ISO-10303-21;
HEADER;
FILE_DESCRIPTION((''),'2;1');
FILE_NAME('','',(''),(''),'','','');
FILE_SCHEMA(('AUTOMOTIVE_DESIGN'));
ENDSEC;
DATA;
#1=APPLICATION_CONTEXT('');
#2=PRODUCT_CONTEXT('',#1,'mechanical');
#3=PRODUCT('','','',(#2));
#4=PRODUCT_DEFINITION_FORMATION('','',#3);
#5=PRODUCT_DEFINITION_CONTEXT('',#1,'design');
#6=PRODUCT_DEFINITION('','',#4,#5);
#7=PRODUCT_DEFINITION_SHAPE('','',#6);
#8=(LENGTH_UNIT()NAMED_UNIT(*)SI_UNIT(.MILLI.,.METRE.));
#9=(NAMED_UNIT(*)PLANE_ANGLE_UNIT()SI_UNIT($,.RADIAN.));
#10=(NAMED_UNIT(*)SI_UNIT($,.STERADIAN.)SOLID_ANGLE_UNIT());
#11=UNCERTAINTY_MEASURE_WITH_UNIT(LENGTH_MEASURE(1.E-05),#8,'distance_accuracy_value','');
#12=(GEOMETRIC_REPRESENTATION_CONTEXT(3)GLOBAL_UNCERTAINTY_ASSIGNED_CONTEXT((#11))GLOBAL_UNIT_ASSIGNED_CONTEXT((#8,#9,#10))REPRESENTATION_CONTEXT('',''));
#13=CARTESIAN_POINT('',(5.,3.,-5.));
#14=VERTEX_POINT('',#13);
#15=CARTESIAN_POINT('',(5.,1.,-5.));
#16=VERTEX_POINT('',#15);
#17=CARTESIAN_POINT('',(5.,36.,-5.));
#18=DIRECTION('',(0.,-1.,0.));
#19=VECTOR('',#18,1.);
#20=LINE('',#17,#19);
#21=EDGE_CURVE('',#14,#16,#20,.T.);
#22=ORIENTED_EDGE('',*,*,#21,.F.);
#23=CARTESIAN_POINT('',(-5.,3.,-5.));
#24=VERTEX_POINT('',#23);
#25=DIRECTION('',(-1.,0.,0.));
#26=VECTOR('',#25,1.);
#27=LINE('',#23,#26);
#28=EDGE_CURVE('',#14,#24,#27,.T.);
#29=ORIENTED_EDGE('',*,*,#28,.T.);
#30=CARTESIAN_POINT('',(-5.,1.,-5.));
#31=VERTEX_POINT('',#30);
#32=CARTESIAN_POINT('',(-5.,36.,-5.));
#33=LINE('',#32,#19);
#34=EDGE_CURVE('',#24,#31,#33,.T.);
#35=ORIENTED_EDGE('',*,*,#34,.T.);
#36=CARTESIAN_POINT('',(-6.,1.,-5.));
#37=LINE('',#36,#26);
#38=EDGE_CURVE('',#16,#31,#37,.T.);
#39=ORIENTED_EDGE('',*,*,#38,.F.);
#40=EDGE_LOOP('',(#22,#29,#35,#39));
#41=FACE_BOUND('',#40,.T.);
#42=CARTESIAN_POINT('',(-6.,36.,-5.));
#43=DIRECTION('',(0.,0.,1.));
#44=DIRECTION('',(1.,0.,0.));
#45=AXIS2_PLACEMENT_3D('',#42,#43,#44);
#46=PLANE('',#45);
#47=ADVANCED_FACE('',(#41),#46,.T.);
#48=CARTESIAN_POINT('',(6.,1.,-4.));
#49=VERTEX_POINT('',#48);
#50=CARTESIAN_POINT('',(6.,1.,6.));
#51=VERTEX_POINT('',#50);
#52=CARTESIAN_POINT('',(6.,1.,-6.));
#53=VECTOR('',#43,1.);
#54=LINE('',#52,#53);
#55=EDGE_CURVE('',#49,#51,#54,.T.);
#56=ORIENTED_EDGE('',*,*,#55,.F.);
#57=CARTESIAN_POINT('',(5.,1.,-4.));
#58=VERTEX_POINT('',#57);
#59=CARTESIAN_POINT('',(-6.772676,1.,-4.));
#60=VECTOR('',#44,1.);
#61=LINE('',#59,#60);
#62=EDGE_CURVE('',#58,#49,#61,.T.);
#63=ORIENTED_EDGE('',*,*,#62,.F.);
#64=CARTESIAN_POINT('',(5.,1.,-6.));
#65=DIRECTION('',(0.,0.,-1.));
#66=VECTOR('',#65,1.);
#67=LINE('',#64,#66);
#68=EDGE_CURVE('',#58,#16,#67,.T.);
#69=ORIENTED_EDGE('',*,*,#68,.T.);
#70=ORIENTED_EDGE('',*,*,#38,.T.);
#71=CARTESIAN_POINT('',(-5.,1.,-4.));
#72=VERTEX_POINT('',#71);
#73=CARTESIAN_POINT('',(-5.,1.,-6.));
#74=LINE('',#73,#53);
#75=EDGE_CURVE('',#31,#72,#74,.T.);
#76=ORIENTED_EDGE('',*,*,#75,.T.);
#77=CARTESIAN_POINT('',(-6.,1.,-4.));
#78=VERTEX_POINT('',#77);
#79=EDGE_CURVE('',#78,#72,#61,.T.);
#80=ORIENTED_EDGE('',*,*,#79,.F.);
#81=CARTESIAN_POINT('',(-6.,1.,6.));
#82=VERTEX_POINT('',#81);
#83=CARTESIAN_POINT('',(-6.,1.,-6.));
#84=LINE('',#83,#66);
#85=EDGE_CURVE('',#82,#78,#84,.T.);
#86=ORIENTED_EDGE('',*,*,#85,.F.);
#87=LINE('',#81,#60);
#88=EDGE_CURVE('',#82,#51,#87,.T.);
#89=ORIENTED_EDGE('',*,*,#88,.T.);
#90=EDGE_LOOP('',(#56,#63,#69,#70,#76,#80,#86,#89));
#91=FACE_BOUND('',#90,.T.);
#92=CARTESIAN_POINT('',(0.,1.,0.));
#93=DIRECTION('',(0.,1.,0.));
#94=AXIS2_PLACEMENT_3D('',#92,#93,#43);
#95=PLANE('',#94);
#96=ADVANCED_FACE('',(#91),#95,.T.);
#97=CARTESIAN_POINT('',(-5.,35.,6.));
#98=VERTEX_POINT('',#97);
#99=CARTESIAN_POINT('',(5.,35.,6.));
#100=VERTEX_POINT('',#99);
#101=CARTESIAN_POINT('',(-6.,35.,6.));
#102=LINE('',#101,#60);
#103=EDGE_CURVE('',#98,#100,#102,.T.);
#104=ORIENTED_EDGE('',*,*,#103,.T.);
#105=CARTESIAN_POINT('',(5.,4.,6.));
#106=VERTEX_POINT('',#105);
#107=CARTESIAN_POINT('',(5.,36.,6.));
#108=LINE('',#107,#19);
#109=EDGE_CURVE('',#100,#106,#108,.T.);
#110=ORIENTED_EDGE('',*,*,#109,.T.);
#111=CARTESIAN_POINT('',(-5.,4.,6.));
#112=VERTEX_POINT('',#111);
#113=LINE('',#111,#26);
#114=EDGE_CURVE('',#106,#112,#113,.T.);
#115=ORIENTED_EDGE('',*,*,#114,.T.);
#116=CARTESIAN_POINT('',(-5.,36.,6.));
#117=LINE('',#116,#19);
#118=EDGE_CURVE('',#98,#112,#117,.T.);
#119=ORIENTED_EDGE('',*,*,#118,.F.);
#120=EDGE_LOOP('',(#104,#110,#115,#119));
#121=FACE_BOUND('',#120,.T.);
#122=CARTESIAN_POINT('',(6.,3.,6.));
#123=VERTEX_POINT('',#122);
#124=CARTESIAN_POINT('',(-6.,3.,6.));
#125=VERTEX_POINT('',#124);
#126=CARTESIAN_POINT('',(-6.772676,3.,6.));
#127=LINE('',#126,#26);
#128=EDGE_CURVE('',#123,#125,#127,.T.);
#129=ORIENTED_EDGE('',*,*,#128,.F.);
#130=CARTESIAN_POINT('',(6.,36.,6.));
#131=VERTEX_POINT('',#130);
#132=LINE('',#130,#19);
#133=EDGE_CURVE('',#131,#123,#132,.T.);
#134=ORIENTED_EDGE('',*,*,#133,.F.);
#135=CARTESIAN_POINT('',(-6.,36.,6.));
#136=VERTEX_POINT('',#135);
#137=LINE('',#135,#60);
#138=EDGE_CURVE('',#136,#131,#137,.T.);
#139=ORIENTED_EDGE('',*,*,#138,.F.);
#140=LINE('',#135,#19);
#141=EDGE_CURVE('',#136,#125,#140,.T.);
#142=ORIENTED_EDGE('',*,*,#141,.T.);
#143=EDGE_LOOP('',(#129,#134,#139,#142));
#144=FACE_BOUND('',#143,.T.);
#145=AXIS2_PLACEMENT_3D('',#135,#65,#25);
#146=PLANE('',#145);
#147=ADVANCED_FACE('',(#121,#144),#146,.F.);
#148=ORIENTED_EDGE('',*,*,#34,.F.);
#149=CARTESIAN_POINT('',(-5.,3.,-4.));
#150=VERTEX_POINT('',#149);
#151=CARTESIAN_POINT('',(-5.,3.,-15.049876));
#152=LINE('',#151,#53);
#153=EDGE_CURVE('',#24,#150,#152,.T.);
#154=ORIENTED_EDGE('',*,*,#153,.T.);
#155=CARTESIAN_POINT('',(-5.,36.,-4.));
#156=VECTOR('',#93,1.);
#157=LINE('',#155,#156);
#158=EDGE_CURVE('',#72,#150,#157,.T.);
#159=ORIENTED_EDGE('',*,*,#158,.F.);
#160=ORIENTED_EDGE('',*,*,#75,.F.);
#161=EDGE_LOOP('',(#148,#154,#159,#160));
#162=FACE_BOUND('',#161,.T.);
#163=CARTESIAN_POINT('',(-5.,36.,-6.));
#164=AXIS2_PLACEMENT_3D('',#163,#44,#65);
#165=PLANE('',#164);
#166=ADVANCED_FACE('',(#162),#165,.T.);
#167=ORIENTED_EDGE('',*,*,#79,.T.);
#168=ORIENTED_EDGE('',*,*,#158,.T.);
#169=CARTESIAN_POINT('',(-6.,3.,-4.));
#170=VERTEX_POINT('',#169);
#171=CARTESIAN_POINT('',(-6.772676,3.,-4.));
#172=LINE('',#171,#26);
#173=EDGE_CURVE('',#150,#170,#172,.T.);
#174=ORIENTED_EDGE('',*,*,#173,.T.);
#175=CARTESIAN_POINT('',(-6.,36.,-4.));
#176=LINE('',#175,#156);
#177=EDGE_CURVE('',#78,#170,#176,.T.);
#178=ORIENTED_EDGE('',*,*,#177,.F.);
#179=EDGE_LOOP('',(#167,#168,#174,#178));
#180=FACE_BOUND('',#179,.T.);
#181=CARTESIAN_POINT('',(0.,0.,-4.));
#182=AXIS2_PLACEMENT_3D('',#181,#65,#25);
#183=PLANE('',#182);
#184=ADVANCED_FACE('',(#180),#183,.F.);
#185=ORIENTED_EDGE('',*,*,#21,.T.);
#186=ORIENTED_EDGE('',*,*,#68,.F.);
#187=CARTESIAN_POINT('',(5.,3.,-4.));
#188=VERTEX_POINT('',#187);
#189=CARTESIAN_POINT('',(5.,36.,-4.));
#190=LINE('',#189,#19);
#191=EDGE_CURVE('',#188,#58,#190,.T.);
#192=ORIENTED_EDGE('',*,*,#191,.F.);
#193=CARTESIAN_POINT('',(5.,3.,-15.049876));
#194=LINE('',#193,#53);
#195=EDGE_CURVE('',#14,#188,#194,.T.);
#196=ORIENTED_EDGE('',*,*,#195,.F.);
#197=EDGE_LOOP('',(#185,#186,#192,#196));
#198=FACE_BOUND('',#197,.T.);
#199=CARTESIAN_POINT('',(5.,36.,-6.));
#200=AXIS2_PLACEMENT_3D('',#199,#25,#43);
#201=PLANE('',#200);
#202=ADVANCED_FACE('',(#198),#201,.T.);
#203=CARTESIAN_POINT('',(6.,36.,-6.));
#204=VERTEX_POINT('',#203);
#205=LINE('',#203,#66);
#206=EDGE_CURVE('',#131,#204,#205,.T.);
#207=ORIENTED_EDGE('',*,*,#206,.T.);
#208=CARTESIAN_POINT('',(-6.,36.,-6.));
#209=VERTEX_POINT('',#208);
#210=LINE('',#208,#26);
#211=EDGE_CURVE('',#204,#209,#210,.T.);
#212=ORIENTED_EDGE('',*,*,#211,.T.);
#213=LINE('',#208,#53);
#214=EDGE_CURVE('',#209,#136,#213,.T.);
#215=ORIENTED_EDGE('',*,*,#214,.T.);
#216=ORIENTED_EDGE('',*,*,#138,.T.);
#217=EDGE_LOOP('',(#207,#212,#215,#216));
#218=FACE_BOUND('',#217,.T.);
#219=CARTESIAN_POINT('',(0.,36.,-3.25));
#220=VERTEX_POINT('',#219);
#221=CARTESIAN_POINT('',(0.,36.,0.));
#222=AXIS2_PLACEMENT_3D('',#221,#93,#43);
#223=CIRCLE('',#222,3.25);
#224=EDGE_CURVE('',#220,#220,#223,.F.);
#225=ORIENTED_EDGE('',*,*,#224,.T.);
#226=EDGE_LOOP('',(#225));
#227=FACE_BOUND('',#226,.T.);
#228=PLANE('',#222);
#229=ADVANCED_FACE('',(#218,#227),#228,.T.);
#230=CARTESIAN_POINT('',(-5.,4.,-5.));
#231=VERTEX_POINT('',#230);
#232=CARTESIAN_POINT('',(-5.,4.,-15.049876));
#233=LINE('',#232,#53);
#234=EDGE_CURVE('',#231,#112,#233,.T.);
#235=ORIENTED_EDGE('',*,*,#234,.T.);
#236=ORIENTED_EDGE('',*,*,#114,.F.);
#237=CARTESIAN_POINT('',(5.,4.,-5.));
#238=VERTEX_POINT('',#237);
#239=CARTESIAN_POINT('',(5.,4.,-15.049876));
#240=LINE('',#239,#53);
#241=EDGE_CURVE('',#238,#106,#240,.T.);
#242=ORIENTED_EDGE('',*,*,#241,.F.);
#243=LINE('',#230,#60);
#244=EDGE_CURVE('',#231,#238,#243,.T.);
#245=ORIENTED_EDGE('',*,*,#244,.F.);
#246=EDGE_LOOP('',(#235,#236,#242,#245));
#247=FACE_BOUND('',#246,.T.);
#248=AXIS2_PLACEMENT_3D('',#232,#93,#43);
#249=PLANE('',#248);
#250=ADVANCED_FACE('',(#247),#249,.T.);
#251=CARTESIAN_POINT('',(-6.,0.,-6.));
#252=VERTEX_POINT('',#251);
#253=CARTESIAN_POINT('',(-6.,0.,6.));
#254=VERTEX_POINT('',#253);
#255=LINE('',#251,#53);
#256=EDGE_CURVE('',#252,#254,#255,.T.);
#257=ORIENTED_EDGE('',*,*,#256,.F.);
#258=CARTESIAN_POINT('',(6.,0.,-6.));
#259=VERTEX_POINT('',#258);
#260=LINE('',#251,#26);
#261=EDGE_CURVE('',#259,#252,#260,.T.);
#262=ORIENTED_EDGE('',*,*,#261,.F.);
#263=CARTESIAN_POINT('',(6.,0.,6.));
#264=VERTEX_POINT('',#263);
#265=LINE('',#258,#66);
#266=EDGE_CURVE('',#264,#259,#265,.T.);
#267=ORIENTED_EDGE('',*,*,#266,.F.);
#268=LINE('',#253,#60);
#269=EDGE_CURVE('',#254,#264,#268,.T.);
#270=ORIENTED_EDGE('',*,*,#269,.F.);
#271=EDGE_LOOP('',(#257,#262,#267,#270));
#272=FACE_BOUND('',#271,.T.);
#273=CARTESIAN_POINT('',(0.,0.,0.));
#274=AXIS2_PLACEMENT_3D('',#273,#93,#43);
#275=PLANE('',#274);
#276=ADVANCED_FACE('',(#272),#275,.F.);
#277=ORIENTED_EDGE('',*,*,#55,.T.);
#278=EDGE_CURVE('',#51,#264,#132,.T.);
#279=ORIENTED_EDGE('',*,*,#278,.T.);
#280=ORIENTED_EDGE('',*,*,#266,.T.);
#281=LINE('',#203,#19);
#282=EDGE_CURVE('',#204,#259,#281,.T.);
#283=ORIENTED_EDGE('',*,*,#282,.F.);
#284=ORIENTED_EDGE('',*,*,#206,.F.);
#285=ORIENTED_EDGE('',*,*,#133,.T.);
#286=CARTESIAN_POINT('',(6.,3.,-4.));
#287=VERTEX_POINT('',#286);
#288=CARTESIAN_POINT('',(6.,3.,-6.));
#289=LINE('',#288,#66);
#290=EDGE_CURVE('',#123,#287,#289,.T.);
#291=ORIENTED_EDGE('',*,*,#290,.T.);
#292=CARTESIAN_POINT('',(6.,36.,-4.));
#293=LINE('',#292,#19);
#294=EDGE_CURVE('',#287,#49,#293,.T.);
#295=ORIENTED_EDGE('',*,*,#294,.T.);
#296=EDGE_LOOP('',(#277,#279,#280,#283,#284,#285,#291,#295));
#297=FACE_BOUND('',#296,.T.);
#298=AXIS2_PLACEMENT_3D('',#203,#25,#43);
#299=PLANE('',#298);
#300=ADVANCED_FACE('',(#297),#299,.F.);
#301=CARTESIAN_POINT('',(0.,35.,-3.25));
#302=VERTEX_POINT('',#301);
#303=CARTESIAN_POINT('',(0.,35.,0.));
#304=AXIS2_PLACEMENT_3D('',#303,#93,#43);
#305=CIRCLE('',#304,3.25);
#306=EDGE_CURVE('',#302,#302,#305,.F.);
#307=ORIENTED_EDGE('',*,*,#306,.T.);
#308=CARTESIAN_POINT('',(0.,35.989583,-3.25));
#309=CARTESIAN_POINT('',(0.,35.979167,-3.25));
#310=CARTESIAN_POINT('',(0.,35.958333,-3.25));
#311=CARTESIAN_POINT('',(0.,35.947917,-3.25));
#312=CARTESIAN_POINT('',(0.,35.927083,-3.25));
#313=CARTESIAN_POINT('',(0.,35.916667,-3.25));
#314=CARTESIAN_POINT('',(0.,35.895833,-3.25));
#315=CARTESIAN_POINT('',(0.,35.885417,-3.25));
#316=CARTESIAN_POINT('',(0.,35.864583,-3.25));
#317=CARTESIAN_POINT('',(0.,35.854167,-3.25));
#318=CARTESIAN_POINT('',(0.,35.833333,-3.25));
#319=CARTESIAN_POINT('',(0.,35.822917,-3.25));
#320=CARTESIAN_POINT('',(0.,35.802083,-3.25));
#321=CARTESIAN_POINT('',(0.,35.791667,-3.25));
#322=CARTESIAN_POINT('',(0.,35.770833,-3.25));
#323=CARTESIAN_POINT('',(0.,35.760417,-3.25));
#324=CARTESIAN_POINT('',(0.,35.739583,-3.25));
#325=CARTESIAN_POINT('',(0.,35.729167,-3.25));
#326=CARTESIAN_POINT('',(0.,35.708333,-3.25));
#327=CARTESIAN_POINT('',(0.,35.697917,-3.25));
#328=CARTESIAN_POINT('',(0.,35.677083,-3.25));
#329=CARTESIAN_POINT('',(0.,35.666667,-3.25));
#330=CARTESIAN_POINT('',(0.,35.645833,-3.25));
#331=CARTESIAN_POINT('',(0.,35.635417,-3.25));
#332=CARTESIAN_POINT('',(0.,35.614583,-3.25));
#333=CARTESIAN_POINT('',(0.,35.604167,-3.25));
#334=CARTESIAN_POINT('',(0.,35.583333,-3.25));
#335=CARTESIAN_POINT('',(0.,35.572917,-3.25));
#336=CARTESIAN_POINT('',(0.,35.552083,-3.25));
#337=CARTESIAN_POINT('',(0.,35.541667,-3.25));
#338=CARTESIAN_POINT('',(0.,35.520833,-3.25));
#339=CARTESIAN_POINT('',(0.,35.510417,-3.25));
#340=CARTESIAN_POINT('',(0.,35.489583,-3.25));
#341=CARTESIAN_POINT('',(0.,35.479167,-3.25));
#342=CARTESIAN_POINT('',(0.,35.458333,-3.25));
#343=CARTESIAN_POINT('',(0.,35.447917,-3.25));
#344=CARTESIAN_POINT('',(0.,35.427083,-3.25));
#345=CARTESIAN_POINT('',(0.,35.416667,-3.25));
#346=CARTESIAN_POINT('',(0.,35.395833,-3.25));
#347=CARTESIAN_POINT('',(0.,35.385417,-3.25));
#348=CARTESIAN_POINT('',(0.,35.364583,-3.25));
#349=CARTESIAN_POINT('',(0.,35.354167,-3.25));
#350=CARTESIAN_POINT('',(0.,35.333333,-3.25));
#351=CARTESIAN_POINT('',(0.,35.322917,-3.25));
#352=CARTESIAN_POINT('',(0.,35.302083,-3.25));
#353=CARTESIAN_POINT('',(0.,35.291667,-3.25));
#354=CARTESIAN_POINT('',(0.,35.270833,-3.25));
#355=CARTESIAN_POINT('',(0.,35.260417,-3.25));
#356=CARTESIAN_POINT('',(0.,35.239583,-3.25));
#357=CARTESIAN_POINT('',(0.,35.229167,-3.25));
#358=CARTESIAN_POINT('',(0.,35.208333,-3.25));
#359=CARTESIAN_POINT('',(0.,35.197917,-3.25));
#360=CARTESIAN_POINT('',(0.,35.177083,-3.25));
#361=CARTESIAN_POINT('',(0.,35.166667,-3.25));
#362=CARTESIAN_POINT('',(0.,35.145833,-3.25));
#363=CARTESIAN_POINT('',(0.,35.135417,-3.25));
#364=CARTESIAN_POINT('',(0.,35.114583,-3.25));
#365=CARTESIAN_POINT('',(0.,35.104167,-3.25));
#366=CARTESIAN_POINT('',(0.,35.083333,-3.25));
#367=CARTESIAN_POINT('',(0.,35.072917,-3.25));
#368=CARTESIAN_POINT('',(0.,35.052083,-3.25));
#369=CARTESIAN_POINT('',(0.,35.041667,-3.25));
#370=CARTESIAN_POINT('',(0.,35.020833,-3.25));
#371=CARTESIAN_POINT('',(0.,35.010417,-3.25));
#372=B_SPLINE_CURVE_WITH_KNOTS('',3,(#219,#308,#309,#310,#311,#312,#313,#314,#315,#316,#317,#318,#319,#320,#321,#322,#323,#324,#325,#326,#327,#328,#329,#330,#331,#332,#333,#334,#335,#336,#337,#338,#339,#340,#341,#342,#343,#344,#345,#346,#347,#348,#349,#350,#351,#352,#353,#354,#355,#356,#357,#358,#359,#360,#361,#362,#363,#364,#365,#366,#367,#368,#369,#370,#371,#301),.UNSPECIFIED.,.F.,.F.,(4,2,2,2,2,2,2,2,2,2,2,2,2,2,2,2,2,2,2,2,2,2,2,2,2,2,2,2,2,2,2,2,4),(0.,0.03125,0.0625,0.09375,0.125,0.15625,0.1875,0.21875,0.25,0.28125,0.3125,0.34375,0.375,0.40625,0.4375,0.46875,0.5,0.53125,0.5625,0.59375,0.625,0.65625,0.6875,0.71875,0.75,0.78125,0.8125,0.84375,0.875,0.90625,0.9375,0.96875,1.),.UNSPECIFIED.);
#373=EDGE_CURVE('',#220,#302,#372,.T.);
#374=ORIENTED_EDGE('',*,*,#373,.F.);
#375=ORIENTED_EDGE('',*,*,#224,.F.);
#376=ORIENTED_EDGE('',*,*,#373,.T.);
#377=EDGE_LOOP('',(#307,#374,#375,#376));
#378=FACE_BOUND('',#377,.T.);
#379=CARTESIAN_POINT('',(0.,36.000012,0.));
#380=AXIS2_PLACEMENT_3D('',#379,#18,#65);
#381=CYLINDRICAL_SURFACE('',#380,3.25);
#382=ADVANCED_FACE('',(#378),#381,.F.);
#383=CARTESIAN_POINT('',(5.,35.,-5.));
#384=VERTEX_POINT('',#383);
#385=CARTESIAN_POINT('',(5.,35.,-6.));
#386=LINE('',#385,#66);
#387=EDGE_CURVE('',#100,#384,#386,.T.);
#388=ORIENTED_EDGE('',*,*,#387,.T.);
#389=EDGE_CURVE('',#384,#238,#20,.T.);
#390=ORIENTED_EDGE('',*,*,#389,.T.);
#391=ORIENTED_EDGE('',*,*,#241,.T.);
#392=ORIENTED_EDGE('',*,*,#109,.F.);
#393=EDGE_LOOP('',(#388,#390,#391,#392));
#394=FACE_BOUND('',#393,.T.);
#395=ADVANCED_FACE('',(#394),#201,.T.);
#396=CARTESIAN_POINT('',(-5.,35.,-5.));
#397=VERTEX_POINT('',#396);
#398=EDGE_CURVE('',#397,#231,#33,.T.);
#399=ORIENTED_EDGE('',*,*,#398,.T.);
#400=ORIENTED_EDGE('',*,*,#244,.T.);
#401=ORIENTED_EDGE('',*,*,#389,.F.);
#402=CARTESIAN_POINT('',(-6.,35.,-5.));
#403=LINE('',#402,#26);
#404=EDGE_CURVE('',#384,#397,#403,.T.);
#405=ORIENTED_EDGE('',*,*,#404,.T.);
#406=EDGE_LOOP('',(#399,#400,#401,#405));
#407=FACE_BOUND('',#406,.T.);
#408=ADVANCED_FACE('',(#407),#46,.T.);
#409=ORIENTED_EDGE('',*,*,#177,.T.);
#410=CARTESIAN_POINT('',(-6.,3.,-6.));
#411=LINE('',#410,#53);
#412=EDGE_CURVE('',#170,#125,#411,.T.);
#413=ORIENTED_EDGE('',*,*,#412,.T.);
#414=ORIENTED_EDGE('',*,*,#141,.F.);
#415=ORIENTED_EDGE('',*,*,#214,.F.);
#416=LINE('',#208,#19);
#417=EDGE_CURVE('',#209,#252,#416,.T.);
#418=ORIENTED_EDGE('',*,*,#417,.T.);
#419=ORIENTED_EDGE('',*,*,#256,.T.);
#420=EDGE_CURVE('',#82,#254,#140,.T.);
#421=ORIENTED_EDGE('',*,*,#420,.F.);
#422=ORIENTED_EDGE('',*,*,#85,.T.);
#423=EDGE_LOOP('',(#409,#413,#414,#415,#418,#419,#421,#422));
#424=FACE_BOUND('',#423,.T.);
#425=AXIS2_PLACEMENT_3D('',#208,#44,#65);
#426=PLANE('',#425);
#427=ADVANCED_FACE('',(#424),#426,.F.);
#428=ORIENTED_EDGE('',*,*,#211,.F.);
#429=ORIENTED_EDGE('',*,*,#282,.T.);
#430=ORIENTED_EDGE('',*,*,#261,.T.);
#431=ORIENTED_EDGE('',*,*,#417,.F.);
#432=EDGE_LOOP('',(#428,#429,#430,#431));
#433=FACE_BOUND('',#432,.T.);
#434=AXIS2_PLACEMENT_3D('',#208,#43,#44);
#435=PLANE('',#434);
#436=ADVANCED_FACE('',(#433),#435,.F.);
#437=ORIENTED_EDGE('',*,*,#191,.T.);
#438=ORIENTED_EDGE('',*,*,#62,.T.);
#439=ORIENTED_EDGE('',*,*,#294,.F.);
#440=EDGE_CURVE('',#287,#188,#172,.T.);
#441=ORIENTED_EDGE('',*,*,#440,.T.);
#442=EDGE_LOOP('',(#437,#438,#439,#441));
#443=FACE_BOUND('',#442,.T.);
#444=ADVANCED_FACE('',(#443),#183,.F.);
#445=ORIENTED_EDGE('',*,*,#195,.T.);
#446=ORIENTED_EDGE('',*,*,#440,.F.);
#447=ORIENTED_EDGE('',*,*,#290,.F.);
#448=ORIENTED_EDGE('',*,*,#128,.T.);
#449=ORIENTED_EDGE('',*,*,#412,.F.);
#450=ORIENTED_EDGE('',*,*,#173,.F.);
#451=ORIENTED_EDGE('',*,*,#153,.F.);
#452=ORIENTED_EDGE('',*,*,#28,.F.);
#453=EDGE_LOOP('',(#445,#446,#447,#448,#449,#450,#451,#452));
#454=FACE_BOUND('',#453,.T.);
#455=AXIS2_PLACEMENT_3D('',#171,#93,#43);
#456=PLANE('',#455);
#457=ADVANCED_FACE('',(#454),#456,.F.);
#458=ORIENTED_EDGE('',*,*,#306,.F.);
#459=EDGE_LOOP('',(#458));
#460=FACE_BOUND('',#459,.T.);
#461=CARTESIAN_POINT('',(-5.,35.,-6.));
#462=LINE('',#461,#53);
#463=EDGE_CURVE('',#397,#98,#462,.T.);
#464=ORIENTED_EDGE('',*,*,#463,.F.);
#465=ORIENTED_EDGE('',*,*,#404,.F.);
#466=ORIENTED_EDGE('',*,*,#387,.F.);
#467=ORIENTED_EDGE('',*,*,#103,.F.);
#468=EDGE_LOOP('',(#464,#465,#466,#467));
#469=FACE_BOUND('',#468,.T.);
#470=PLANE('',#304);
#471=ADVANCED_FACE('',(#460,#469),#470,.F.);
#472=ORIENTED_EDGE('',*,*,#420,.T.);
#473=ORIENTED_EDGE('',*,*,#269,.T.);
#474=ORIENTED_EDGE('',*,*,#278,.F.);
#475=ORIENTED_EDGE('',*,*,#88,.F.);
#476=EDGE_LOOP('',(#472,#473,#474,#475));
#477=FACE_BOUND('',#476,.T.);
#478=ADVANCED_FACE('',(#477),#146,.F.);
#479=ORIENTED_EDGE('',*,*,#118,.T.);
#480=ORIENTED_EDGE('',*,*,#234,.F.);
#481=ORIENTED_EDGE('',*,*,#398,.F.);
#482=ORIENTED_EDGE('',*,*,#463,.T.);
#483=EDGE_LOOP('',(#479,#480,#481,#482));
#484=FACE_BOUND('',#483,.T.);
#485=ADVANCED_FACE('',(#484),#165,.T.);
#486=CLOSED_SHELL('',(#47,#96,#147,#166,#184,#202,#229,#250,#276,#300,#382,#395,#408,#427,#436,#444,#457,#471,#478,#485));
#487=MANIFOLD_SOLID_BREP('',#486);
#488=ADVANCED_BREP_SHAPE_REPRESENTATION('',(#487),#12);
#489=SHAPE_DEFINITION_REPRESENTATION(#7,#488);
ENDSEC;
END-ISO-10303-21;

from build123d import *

# Parameters (mm, degrees)
CROQUIS1_W                 = 12
CROQUIS1_H                 = 12
SALIENTE_EXTRUIR1_DEPTH    = 36
VACIADO1_T                 = -1
CORTAR_EXTRUIR1_DEPTH      = 37.986484018
CORTAR_EXTRUIR1_DEPTH_BACK = 3
CROQUIS2_R                 = 3.25
CROQUIS3_W                 = 13.652855543
CROQUIS3_H                 = 2
CORTAR_EXTRUIR2_DEPTH      = 10
CROQUIS4_W                 = 10
CROQUIS4_H                 = 1
SALIENTE_EXTRUIR2_DEPTH    = 11


with BuildPart() as part:
    # Croquis1 → Saliente-Extruir1 (new body)
    with BuildSketch(Plane(origin=(0, 0, 0), x_dir=(1, 0, 0), z_dir=(0, 1, 0))):
        Rectangle(CROQUIS1_W, CROQUIS1_H)
    extrude(amount=SALIENTE_EXTRUIR1_DEPTH)

    # Vaciado1
    vaciado1_openings = [part.faces().sort_by_distance(p)[0] for p in [
        (0, 18, 6),
    ]]
    offset(amount=VACIADO1_T, openings=vaciado1_openings, kind=Kind.INTERSECTION)

    # Croquis2 → Cortar-Extruir1 (cut, two sides: drawn at the far end of the back side and taken through both)
    with BuildSketch(Plane(origin=(0, 36, 0), x_dir=(1, 0, 0), z_dir=(0, 1, 0)).offset(-CORTAR_EXTRUIR1_DEPTH_BACK)):
        with Locations(Location((0, 0, 0), (0, 0, 90))):
            Circle(CROQUIS2_R)
    extrude(amount=CORTAR_EXTRUIR1_DEPTH + CORTAR_EXTRUIR1_DEPTH_BACK, mode=Mode.SUBTRACT)

    # Croquis3 → Cortar-Extruir2 (cut)
    with BuildSketch(Plane.XY.offset(6)):
        with Locations((0.0537514, 2)):
            Rectangle(CROQUIS3_W, CROQUIS3_H)
    extrude(amount=-CORTAR_EXTRUIR2_DEPTH, mode=Mode.SUBTRACT)

    # Croquis4 → Saliente-Extruir2 (add)
    with BuildSketch(Plane.XY.offset(6)):
        with Locations((0, 3.5)):
            Rectangle(CROQUIS4_W, CROQUIS4_H)
    extrude(amount=-SALIENTE_EXTRUIR2_DEPTH)


solid = part.part
